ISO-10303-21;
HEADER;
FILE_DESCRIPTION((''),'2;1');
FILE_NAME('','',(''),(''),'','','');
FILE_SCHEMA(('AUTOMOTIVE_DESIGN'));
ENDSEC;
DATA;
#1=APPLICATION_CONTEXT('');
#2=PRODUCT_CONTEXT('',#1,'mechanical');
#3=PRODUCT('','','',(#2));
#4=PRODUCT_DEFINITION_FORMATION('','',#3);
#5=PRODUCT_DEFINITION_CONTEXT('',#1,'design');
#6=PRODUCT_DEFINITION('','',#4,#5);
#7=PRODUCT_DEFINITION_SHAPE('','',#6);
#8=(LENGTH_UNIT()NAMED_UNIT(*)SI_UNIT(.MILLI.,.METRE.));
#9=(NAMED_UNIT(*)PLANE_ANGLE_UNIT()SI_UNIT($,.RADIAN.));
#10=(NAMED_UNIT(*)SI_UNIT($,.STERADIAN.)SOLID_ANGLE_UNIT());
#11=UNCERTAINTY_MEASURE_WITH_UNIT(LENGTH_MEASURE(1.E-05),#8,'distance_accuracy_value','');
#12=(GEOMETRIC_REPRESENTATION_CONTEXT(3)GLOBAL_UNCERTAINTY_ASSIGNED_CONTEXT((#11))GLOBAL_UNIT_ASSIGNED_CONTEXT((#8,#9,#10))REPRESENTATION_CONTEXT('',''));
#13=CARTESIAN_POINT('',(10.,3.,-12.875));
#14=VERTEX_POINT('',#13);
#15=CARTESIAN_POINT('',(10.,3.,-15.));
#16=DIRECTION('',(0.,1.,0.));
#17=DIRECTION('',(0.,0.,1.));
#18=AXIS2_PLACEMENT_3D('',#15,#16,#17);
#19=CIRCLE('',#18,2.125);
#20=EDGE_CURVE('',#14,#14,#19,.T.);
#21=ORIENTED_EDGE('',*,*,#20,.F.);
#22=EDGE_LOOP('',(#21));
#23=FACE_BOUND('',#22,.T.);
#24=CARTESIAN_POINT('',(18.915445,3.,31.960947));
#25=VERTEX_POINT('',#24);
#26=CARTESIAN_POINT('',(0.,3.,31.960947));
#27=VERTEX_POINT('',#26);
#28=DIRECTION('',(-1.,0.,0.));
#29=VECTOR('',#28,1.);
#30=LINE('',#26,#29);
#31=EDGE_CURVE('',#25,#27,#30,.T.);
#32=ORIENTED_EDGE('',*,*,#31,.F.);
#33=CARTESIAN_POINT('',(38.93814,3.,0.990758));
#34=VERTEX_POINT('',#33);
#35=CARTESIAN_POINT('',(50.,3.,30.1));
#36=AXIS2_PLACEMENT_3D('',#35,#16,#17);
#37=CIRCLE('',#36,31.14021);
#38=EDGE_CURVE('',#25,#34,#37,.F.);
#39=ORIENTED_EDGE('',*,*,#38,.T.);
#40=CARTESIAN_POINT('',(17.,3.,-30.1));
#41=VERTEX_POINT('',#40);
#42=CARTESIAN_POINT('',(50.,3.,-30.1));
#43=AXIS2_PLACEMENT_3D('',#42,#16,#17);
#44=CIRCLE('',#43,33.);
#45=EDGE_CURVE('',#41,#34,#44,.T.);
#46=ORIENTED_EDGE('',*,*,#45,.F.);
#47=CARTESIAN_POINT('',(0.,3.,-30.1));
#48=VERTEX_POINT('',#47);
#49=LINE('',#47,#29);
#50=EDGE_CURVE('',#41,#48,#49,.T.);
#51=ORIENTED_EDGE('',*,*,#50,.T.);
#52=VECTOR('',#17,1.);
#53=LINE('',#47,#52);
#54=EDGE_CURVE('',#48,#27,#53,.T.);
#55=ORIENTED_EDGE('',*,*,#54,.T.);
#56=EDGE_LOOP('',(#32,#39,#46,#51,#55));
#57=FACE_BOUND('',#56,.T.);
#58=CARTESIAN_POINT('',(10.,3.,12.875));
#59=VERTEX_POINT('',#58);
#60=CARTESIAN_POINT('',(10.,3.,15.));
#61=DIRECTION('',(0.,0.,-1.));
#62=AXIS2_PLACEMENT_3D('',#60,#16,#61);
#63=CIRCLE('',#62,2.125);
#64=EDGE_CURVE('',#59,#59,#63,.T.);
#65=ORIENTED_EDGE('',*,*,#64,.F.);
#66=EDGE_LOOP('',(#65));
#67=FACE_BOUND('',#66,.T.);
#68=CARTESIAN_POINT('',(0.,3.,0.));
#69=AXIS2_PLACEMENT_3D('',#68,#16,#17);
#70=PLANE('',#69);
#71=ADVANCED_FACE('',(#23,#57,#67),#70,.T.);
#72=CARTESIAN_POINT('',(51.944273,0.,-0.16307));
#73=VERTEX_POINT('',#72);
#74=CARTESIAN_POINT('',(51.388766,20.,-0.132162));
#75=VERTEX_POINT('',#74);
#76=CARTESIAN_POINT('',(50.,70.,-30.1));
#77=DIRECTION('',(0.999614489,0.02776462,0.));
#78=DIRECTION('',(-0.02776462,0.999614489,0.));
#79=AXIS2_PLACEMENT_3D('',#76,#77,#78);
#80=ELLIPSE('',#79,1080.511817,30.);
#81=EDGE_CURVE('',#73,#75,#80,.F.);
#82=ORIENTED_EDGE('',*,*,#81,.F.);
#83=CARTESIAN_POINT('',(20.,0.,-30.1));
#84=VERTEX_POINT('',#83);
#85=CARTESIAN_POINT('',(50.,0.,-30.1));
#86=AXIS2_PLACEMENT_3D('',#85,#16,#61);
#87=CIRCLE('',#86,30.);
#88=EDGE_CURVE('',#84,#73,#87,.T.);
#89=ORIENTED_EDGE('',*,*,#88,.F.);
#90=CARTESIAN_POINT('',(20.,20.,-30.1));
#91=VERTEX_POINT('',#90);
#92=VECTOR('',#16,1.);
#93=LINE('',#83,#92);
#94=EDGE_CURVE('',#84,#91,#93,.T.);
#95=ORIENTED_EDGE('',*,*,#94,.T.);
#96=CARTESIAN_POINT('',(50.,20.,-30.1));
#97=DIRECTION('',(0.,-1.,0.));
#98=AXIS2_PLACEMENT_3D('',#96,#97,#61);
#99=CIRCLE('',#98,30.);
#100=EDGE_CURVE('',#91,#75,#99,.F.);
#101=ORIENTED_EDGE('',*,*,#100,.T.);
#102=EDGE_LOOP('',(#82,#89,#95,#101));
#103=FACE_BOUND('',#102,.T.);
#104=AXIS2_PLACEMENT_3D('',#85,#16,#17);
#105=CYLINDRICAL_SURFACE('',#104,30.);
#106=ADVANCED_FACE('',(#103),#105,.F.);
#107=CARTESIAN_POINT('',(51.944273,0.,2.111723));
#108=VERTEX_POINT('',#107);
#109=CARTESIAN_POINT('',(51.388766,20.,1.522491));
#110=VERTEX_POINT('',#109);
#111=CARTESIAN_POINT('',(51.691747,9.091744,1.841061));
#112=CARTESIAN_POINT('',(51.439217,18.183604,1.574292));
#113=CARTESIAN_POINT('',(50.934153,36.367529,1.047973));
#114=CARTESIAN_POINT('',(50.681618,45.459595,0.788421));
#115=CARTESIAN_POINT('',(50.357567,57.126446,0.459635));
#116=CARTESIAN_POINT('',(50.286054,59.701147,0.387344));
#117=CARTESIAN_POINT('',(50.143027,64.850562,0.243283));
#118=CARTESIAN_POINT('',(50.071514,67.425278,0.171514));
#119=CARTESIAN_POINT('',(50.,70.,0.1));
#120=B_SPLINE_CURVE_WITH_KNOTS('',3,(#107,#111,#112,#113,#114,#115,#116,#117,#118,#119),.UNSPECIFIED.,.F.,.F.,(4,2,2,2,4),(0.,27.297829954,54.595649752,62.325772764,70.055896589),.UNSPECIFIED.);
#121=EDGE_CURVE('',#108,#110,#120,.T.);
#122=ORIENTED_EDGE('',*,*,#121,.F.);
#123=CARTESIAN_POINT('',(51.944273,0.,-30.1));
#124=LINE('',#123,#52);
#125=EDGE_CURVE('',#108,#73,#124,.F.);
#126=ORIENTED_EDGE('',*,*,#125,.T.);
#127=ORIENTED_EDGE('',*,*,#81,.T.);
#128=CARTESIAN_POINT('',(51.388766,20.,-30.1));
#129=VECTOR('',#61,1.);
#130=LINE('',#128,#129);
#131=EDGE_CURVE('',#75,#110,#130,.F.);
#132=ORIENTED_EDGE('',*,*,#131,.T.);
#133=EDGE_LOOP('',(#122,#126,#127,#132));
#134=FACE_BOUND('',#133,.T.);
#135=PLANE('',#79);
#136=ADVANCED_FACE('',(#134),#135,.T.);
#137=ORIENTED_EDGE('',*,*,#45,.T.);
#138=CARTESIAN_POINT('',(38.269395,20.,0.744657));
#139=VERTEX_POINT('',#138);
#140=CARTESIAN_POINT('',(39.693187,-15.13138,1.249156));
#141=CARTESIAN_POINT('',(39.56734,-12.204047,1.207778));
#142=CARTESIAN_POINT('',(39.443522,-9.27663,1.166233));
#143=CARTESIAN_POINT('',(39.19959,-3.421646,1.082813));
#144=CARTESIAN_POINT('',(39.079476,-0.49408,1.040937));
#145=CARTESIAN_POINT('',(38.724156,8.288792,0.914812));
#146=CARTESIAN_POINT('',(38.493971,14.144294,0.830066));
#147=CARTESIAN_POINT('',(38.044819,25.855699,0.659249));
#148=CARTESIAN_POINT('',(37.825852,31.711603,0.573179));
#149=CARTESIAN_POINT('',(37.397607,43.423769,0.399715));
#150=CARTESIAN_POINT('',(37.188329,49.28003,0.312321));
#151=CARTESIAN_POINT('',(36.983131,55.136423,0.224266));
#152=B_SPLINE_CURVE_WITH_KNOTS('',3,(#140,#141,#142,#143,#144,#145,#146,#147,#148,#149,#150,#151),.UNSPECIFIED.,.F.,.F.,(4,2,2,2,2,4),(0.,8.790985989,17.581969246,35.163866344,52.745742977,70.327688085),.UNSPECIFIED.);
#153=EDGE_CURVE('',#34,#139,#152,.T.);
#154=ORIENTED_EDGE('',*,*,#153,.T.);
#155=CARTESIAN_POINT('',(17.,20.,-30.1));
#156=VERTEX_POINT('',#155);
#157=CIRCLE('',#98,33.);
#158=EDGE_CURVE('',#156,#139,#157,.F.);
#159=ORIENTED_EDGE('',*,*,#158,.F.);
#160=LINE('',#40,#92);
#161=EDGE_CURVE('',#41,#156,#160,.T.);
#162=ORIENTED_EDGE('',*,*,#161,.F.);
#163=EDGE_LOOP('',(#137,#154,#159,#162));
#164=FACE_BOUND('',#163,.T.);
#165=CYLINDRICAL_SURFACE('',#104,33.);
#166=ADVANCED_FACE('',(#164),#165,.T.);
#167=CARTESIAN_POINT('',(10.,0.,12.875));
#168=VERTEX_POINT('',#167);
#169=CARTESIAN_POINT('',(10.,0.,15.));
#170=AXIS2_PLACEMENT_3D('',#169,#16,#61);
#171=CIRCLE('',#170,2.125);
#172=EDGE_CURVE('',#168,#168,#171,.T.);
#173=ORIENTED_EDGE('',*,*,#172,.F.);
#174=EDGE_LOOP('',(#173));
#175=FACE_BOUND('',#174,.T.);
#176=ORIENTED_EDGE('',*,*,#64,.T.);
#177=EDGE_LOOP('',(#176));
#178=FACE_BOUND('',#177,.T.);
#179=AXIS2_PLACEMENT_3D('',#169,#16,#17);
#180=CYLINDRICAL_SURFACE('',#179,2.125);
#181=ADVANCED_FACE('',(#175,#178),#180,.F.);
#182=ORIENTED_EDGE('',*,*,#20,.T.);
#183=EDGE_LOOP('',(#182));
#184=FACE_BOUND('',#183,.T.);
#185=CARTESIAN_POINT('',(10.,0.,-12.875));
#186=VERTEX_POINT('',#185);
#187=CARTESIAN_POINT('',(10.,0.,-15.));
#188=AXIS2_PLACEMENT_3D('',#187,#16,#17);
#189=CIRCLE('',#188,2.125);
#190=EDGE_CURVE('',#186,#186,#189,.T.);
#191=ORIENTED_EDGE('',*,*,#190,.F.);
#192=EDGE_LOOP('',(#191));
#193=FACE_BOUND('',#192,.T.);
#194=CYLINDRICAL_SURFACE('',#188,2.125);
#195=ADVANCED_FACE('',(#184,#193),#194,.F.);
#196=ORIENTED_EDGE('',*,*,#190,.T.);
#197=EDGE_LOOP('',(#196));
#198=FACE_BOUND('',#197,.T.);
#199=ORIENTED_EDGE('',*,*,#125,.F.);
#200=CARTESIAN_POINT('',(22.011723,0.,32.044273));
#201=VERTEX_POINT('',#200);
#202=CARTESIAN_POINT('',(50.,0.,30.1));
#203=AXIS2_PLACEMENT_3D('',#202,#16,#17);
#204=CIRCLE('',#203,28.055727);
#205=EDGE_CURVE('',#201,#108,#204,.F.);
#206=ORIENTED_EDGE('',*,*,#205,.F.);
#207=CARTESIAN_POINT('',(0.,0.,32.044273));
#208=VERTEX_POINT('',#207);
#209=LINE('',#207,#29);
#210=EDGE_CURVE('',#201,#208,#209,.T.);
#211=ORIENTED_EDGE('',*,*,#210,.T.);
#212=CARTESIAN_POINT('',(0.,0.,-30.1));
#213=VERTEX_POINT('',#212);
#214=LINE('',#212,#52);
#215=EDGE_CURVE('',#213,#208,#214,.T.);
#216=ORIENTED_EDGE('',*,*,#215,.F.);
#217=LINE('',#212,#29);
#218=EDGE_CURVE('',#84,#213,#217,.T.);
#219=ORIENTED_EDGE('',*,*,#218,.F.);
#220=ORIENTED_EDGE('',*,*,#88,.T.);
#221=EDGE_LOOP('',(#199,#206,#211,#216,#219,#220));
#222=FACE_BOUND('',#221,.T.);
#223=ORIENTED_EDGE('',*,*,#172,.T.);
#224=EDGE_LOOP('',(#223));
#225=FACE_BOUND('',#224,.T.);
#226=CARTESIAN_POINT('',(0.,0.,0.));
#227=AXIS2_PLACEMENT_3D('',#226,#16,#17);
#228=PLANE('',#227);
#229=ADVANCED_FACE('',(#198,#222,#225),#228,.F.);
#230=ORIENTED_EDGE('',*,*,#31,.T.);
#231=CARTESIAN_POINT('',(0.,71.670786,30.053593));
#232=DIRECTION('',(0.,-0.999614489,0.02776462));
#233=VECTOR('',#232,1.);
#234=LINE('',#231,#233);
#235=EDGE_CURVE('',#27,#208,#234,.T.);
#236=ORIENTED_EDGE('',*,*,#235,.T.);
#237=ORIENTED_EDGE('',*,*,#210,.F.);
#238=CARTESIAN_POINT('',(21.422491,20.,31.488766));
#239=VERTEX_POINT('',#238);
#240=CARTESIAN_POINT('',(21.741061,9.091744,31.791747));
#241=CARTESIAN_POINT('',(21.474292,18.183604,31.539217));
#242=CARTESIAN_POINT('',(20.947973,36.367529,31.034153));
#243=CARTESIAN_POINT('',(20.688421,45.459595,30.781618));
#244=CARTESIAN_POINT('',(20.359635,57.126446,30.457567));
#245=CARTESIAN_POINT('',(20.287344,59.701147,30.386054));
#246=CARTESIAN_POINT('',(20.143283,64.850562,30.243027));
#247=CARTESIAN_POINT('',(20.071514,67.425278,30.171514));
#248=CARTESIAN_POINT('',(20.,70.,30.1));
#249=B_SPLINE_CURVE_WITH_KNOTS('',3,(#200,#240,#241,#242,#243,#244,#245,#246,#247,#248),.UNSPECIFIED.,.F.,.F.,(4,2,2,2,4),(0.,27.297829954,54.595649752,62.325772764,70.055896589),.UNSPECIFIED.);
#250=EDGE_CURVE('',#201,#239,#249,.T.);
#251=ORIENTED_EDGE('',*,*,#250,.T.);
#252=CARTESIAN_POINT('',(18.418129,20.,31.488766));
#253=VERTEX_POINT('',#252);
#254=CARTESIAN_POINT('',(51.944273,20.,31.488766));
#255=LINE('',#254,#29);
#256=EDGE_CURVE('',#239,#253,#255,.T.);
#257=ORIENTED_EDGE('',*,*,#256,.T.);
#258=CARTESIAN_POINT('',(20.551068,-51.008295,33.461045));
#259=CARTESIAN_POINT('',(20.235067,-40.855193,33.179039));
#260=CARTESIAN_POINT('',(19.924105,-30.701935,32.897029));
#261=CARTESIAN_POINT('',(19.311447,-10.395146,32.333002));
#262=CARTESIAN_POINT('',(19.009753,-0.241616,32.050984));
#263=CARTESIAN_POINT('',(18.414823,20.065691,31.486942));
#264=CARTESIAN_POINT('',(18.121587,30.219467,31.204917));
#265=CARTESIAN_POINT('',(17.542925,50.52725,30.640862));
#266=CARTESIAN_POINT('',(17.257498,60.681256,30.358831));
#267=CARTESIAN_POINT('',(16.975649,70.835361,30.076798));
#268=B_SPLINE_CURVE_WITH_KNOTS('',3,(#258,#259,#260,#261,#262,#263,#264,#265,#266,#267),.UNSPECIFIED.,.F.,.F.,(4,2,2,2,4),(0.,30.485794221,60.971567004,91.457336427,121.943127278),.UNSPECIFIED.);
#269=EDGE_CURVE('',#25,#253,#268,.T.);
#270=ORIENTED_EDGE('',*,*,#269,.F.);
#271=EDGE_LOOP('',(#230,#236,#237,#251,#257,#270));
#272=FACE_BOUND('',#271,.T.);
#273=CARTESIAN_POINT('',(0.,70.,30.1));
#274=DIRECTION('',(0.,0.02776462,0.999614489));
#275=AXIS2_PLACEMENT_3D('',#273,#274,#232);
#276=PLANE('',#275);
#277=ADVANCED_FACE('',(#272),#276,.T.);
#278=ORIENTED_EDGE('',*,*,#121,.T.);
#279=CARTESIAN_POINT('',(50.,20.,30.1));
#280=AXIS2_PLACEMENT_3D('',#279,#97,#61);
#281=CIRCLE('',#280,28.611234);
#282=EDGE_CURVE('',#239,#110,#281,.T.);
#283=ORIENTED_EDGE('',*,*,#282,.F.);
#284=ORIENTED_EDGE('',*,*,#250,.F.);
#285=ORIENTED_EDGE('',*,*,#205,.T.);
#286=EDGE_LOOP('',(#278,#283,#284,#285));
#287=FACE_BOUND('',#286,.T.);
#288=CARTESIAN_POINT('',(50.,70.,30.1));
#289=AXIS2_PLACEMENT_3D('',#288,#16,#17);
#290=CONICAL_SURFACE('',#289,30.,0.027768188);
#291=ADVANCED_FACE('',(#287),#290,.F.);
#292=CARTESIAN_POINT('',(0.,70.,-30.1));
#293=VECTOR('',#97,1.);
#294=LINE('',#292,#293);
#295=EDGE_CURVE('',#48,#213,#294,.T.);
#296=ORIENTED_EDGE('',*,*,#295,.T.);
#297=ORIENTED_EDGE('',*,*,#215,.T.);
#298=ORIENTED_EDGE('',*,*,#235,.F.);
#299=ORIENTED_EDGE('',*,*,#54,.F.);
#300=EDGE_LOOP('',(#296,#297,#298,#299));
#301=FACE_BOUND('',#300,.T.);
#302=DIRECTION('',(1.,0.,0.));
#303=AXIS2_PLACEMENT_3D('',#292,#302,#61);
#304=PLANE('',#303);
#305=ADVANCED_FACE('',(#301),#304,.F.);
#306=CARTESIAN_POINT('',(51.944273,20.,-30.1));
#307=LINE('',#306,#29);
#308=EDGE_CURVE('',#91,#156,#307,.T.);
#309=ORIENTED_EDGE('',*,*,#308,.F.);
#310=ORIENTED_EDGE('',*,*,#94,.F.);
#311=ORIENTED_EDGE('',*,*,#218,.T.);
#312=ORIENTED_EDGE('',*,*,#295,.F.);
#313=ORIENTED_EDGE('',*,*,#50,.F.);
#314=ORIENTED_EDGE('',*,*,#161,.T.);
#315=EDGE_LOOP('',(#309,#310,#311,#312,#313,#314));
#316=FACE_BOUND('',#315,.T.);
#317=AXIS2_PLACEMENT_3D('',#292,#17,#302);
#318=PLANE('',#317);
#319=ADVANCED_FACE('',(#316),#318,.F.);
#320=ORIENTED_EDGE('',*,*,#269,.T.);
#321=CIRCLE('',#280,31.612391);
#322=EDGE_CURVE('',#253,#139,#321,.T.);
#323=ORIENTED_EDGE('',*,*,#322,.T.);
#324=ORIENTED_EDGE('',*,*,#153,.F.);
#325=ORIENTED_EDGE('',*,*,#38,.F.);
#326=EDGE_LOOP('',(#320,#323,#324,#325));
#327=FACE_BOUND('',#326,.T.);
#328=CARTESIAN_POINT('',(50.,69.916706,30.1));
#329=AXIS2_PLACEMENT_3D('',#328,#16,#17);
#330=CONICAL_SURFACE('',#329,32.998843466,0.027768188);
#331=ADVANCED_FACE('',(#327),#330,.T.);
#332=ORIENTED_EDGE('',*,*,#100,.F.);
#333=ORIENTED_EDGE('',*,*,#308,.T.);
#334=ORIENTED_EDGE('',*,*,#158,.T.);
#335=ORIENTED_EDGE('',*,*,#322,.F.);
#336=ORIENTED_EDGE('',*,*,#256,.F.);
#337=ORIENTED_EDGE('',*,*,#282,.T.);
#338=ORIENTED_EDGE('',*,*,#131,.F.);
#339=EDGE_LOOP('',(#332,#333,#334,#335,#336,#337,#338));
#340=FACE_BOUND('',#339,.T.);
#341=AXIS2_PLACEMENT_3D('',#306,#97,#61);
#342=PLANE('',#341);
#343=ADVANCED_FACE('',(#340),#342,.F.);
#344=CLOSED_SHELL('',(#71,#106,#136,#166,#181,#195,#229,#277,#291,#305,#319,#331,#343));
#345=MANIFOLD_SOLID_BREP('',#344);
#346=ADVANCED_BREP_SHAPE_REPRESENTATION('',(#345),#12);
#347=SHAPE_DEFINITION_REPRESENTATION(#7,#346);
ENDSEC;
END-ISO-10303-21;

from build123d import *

# Parameters (mm, degrees)
SKETCH_1_W          = 50
SKETCH_1_H          = 30.1
EXTRUDE_1_DEPTH     = 70
CUT_EXTRUDE_2_DEPTH = 70
DRAFT_4_ANGLE       = 1.591
SKETCH_4_W          = 61.588766385
SKETCH_4_H          = 50
CUT_EXTRUDE_3_DEPTH = 93.871109174
SHELL_2_T           = -3
SKETCH_5_R          = 2.125
CUT_EXTRUDE_4_DEPTH = 64.356474986


with BuildPart() as part:
    # 草圖1 → 填料-伸長1 (new body)
    with BuildSketch(Plane(origin=(0, 0, 0), x_dir=(1, 0, 0), z_dir=(0, 1, 0))):
        with Locations((25, 15.05)):
            Rectangle(SKETCH_1_W, SKETCH_1_H)
    extrude_1 = extrude(amount=EXTRUDE_1_DEPTH)

    # 草圖3 → 除料-伸長2 (cut)
    with BuildSketch(Plane(origin=(0, 70, 0), x_dir=(1, 0, 0), z_dir=(0, 1, 0))):
        with BuildLine():
            Line((20, 30.1), (50, 30.1))
            Line((50, 30.1), (50, 0.1))
            ThreePointArc((50, 0.1), (28.786796564, 8.886796564), (20, 30.1))
        make_face()
    cut_extrude_2 = extrude(amount=-CUT_EXTRUDE_2_DEPTH, mode=Mode.SUBTRACT)

    # 鏡射1: 填料-伸長1, 除料-伸長2 across plane
    add(extrude_1.mirror(Plane.XY))
    add(cut_extrude_2.mirror(Plane.XY), mode=Mode.SUBTRACT)

    # 拔模4
    draft_4_faces = [part.faces().sort_by_distance(p)[0] for p in [
        (50, 35, 0),
        (10, 35, 30.1),
        (28.786796564, 35, 8.886796564),
    ]]
    draft(draft_4_faces, Plane.ZX.offset(70), DRAFT_4_ANGLE)

    # 草圖4 → 除料-伸長3 (cut, through all)
    with BuildSketch(Plane.ZY):
        with Locations((0.694383193, 45)):
            Rectangle(SKETCH_4_W, SKETCH_4_H)
    extrude(amount=-CUT_EXTRUDE_3_DEPTH, mode=Mode.SUBTRACT)

    # 薄殼2
    shell_2_openings = [part.faces().sort_by_distance(p)[0] for p in [
        (10.858708279, 9.954778556, 31.767775702),
        (14.773415442, 20, 0.973960422),
        (10, 10, -30.1),
        (0, 9.985034809, 0.833467662),
    ]]
    offset(amount=SHELL_2_T, openings=shell_2_openings, kind=Kind.INTERSECTION)

    # 草圖5 → 除料-伸長4 (cut, through all)
    with BuildSketch(Plane(origin=(0, 3, 0), x_dir=(1, 0, 0), z_dir=(0, 1, 0))):
        with Locations(Location((10, 15, 0), (0, 0, 270))):
            Circle(SKETCH_5_R)
        with Locations(Location((10, -15, 0), (0, 0, 90))):
            Circle(SKETCH_5_R)
    extrude(amount=-CUT_EXTRUDE_4_DEPTH, mode=Mode.SUBTRACT)


solid = part.part
